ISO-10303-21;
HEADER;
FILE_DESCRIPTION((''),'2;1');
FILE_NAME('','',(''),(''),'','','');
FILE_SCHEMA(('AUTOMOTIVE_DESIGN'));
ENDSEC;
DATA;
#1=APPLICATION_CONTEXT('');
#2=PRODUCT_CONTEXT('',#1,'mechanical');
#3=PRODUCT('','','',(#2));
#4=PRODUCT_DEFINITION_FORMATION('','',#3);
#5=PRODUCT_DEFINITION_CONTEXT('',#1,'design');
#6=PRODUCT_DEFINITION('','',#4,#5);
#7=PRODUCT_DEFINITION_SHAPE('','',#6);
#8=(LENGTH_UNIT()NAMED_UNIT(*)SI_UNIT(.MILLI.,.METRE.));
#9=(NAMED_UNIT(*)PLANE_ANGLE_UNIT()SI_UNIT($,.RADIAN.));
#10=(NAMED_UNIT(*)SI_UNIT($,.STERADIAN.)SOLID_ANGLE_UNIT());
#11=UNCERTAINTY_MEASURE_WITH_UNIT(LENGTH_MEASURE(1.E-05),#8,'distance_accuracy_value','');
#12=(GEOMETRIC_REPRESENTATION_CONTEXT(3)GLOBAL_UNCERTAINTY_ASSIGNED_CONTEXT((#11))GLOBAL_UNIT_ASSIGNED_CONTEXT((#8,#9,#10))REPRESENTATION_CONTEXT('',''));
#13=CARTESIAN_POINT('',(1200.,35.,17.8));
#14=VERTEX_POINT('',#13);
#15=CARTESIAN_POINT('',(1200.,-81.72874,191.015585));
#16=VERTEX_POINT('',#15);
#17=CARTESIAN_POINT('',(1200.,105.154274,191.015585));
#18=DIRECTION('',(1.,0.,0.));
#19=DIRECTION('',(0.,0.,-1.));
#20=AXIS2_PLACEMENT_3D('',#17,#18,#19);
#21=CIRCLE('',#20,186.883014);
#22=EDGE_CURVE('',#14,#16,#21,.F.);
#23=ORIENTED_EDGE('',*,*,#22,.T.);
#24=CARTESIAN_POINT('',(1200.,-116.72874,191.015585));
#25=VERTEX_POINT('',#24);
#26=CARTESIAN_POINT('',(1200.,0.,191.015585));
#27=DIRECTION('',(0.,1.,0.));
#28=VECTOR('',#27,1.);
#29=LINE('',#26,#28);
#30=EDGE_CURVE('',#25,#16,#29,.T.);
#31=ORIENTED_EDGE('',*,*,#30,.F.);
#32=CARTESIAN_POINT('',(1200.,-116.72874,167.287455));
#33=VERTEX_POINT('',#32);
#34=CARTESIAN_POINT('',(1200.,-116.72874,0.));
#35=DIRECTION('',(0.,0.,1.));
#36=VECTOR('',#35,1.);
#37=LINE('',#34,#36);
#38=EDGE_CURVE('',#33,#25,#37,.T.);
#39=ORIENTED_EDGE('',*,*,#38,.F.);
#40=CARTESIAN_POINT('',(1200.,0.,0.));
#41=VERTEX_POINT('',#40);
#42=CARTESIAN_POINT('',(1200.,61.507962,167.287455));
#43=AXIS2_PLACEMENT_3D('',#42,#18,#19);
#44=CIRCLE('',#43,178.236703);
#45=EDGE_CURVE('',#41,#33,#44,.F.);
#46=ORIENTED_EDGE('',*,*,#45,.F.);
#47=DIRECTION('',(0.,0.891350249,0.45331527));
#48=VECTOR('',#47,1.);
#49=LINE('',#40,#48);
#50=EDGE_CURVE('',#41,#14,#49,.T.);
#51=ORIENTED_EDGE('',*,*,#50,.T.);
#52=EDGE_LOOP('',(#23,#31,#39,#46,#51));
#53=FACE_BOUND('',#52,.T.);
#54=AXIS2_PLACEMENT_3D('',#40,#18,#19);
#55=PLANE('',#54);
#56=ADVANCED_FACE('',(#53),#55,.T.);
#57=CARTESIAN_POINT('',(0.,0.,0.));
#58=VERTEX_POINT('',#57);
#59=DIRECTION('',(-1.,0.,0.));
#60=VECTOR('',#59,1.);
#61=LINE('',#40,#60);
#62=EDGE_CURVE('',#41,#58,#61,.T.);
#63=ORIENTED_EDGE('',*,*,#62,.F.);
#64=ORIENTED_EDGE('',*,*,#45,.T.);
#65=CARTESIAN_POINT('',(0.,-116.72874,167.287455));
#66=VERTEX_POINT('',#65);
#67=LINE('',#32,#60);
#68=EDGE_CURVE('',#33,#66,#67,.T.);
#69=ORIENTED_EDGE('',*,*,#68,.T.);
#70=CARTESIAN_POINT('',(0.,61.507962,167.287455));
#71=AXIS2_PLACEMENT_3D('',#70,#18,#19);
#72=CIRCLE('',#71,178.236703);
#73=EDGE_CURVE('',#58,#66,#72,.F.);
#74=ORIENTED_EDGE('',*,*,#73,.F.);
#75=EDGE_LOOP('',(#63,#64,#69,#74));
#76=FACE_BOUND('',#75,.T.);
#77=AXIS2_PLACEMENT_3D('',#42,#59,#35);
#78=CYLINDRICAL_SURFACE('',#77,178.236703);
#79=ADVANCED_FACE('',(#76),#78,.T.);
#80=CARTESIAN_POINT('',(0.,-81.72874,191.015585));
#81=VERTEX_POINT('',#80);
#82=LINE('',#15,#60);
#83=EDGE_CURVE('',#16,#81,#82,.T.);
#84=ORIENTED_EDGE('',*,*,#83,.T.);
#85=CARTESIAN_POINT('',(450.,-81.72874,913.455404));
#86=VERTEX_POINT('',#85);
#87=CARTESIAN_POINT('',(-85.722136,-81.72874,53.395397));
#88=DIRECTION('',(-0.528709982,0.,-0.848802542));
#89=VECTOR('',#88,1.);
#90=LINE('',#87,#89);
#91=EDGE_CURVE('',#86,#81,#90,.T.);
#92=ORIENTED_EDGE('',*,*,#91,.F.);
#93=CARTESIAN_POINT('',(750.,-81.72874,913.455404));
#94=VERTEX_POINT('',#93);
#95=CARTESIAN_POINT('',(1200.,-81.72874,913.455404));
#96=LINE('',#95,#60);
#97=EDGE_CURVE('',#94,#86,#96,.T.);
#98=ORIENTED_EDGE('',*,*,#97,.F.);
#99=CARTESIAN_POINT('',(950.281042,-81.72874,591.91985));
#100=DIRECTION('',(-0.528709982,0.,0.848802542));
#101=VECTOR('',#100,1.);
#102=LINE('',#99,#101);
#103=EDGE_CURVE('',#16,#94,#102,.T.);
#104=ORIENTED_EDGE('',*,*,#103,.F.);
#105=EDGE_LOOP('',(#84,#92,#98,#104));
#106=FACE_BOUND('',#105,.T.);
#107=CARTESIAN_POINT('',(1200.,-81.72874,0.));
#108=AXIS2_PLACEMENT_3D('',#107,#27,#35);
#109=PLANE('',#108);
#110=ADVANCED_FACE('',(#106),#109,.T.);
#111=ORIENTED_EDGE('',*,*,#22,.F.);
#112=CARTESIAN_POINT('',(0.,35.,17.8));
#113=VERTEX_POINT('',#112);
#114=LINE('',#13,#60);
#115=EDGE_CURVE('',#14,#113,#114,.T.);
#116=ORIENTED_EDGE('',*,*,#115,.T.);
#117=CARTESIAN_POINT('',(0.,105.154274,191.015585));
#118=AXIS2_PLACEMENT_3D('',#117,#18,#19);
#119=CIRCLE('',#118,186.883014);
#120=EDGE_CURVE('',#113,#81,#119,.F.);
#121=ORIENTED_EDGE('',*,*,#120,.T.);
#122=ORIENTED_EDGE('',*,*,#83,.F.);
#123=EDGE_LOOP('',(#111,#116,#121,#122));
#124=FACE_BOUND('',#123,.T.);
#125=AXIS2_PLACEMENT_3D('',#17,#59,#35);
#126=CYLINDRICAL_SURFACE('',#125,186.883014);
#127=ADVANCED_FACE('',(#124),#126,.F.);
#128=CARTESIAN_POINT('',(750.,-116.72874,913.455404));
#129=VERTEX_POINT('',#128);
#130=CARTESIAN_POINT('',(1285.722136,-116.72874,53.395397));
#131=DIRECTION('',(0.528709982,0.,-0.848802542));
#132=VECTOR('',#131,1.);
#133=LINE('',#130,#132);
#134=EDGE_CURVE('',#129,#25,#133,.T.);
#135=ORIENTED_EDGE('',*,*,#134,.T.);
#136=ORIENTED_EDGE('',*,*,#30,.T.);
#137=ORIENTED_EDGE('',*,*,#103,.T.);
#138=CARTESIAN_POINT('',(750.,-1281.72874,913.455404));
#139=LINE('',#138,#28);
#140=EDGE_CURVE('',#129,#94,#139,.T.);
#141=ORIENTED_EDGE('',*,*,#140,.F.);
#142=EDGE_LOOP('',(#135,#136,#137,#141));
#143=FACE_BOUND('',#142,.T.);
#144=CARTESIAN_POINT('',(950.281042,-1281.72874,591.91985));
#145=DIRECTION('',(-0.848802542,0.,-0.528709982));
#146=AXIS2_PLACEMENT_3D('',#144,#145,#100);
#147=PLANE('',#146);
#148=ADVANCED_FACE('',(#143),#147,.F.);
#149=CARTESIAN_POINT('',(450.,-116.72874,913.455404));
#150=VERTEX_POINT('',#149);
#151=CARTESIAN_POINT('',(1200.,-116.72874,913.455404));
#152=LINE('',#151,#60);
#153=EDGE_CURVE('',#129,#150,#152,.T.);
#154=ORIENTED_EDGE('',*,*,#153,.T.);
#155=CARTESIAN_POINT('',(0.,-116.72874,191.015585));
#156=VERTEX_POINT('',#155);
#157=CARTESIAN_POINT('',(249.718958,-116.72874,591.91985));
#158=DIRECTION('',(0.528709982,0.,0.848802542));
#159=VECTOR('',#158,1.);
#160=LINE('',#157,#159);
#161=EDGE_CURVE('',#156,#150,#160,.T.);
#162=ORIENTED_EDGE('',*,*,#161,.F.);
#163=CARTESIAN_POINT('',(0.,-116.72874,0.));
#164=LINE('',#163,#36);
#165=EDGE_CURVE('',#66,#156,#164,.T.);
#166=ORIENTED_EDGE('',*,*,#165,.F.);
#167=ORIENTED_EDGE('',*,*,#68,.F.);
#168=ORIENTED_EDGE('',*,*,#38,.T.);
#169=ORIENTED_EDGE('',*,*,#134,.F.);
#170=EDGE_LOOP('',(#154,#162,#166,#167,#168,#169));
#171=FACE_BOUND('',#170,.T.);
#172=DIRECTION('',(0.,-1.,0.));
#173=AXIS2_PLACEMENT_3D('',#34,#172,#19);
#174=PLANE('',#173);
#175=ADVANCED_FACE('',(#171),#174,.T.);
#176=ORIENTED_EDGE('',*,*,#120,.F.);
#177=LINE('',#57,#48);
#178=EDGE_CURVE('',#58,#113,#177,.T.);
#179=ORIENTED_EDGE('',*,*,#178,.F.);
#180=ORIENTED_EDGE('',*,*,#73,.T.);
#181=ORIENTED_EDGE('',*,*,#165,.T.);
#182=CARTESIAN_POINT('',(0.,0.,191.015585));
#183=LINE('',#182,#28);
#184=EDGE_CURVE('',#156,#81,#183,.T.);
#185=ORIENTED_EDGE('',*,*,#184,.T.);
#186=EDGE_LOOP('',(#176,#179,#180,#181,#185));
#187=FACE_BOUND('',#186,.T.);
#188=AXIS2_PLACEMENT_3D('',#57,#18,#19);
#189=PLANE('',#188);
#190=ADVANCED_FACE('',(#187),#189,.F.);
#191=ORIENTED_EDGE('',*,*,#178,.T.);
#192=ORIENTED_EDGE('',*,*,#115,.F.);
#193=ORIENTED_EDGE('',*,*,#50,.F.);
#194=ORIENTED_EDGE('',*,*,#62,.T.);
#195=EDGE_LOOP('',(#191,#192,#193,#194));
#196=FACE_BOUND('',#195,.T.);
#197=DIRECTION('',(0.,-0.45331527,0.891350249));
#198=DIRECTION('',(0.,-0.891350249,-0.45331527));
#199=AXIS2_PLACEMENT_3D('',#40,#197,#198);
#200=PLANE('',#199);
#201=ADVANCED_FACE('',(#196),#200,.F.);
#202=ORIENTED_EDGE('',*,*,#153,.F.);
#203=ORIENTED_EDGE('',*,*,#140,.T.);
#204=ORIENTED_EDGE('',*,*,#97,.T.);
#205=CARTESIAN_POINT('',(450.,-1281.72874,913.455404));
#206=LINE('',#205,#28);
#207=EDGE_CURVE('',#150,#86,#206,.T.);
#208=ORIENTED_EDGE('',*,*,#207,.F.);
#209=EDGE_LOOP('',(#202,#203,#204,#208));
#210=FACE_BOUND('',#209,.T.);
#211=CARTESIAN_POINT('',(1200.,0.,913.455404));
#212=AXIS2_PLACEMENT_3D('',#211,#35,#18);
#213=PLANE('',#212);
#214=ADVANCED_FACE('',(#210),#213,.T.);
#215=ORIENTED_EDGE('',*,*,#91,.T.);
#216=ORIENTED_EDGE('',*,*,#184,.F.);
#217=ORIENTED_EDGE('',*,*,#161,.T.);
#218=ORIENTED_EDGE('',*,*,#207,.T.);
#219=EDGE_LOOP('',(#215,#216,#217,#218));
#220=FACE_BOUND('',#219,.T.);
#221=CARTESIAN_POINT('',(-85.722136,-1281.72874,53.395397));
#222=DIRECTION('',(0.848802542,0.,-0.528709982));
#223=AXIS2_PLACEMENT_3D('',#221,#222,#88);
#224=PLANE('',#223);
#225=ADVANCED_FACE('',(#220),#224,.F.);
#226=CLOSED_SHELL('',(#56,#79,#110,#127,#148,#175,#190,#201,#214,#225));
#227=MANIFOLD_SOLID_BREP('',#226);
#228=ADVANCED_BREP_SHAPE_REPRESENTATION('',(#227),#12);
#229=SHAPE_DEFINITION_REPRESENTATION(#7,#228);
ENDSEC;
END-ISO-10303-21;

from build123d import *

# Parameters (mm, degrees)
BOSS_EXTRUDE2_DEPTH = 1200
CUT_EXTRUDE2_DEPTH  = 1200


with BuildPart() as part:
    # Sketch4 → Boss-Extrude2 (new body)
    with BuildSketch(Plane(origin=(0, 0, 0), x_dir=(0, 0, -1), z_dir=(1, 0, 0))):
        with BuildLine():
            Line((-418.085663079, -116.728740424), (-167.287455413, -116.728740424))
            ThreePointArc((-167.287455413, -116.728740424), (-65.293961038, -84.661970634), (0, 0))
            Line((0, 0), (-17.8, 35))
            ThreePointArc((-17.8, 35), (-86.57752002, -49.822987688), (-191.015585124, -81.728740424))
            Line((-191.015585124, -81.728740424), (-418.085663079, -81.728740424))
            Line((-418.085663079, -81.728740424), (-913.455403633, -81.728740424))
            Line((-913.455403633, -81.728740424), (-913.455403633, -116.728740424))
            Line((-913.455403633, -116.728740424), (-418.085663079, -116.728740424))
        make_face()
    extrude(amount=BOSS_EXTRUDE2_DEPTH)

    # Sketch5 → Cut-Extrude2 (cut)
    with BuildSketch(Plane(origin=(0, -81.728740424, 0), x_dir=(1, 0, 0), z_dir=(0, 1, 0))):
        Polygon((0, -913.455403633), (450, -913.455403633), (0, -191.015585124), align=None)
        Polygon((1200, -191.015585124), (750, -913.455403633), (1200, -913.455403633), align=None)
    extrude(amount=-CUT_EXTRUDE2_DEPTH, mode=Mode.SUBTRACT)


solid = part.part
